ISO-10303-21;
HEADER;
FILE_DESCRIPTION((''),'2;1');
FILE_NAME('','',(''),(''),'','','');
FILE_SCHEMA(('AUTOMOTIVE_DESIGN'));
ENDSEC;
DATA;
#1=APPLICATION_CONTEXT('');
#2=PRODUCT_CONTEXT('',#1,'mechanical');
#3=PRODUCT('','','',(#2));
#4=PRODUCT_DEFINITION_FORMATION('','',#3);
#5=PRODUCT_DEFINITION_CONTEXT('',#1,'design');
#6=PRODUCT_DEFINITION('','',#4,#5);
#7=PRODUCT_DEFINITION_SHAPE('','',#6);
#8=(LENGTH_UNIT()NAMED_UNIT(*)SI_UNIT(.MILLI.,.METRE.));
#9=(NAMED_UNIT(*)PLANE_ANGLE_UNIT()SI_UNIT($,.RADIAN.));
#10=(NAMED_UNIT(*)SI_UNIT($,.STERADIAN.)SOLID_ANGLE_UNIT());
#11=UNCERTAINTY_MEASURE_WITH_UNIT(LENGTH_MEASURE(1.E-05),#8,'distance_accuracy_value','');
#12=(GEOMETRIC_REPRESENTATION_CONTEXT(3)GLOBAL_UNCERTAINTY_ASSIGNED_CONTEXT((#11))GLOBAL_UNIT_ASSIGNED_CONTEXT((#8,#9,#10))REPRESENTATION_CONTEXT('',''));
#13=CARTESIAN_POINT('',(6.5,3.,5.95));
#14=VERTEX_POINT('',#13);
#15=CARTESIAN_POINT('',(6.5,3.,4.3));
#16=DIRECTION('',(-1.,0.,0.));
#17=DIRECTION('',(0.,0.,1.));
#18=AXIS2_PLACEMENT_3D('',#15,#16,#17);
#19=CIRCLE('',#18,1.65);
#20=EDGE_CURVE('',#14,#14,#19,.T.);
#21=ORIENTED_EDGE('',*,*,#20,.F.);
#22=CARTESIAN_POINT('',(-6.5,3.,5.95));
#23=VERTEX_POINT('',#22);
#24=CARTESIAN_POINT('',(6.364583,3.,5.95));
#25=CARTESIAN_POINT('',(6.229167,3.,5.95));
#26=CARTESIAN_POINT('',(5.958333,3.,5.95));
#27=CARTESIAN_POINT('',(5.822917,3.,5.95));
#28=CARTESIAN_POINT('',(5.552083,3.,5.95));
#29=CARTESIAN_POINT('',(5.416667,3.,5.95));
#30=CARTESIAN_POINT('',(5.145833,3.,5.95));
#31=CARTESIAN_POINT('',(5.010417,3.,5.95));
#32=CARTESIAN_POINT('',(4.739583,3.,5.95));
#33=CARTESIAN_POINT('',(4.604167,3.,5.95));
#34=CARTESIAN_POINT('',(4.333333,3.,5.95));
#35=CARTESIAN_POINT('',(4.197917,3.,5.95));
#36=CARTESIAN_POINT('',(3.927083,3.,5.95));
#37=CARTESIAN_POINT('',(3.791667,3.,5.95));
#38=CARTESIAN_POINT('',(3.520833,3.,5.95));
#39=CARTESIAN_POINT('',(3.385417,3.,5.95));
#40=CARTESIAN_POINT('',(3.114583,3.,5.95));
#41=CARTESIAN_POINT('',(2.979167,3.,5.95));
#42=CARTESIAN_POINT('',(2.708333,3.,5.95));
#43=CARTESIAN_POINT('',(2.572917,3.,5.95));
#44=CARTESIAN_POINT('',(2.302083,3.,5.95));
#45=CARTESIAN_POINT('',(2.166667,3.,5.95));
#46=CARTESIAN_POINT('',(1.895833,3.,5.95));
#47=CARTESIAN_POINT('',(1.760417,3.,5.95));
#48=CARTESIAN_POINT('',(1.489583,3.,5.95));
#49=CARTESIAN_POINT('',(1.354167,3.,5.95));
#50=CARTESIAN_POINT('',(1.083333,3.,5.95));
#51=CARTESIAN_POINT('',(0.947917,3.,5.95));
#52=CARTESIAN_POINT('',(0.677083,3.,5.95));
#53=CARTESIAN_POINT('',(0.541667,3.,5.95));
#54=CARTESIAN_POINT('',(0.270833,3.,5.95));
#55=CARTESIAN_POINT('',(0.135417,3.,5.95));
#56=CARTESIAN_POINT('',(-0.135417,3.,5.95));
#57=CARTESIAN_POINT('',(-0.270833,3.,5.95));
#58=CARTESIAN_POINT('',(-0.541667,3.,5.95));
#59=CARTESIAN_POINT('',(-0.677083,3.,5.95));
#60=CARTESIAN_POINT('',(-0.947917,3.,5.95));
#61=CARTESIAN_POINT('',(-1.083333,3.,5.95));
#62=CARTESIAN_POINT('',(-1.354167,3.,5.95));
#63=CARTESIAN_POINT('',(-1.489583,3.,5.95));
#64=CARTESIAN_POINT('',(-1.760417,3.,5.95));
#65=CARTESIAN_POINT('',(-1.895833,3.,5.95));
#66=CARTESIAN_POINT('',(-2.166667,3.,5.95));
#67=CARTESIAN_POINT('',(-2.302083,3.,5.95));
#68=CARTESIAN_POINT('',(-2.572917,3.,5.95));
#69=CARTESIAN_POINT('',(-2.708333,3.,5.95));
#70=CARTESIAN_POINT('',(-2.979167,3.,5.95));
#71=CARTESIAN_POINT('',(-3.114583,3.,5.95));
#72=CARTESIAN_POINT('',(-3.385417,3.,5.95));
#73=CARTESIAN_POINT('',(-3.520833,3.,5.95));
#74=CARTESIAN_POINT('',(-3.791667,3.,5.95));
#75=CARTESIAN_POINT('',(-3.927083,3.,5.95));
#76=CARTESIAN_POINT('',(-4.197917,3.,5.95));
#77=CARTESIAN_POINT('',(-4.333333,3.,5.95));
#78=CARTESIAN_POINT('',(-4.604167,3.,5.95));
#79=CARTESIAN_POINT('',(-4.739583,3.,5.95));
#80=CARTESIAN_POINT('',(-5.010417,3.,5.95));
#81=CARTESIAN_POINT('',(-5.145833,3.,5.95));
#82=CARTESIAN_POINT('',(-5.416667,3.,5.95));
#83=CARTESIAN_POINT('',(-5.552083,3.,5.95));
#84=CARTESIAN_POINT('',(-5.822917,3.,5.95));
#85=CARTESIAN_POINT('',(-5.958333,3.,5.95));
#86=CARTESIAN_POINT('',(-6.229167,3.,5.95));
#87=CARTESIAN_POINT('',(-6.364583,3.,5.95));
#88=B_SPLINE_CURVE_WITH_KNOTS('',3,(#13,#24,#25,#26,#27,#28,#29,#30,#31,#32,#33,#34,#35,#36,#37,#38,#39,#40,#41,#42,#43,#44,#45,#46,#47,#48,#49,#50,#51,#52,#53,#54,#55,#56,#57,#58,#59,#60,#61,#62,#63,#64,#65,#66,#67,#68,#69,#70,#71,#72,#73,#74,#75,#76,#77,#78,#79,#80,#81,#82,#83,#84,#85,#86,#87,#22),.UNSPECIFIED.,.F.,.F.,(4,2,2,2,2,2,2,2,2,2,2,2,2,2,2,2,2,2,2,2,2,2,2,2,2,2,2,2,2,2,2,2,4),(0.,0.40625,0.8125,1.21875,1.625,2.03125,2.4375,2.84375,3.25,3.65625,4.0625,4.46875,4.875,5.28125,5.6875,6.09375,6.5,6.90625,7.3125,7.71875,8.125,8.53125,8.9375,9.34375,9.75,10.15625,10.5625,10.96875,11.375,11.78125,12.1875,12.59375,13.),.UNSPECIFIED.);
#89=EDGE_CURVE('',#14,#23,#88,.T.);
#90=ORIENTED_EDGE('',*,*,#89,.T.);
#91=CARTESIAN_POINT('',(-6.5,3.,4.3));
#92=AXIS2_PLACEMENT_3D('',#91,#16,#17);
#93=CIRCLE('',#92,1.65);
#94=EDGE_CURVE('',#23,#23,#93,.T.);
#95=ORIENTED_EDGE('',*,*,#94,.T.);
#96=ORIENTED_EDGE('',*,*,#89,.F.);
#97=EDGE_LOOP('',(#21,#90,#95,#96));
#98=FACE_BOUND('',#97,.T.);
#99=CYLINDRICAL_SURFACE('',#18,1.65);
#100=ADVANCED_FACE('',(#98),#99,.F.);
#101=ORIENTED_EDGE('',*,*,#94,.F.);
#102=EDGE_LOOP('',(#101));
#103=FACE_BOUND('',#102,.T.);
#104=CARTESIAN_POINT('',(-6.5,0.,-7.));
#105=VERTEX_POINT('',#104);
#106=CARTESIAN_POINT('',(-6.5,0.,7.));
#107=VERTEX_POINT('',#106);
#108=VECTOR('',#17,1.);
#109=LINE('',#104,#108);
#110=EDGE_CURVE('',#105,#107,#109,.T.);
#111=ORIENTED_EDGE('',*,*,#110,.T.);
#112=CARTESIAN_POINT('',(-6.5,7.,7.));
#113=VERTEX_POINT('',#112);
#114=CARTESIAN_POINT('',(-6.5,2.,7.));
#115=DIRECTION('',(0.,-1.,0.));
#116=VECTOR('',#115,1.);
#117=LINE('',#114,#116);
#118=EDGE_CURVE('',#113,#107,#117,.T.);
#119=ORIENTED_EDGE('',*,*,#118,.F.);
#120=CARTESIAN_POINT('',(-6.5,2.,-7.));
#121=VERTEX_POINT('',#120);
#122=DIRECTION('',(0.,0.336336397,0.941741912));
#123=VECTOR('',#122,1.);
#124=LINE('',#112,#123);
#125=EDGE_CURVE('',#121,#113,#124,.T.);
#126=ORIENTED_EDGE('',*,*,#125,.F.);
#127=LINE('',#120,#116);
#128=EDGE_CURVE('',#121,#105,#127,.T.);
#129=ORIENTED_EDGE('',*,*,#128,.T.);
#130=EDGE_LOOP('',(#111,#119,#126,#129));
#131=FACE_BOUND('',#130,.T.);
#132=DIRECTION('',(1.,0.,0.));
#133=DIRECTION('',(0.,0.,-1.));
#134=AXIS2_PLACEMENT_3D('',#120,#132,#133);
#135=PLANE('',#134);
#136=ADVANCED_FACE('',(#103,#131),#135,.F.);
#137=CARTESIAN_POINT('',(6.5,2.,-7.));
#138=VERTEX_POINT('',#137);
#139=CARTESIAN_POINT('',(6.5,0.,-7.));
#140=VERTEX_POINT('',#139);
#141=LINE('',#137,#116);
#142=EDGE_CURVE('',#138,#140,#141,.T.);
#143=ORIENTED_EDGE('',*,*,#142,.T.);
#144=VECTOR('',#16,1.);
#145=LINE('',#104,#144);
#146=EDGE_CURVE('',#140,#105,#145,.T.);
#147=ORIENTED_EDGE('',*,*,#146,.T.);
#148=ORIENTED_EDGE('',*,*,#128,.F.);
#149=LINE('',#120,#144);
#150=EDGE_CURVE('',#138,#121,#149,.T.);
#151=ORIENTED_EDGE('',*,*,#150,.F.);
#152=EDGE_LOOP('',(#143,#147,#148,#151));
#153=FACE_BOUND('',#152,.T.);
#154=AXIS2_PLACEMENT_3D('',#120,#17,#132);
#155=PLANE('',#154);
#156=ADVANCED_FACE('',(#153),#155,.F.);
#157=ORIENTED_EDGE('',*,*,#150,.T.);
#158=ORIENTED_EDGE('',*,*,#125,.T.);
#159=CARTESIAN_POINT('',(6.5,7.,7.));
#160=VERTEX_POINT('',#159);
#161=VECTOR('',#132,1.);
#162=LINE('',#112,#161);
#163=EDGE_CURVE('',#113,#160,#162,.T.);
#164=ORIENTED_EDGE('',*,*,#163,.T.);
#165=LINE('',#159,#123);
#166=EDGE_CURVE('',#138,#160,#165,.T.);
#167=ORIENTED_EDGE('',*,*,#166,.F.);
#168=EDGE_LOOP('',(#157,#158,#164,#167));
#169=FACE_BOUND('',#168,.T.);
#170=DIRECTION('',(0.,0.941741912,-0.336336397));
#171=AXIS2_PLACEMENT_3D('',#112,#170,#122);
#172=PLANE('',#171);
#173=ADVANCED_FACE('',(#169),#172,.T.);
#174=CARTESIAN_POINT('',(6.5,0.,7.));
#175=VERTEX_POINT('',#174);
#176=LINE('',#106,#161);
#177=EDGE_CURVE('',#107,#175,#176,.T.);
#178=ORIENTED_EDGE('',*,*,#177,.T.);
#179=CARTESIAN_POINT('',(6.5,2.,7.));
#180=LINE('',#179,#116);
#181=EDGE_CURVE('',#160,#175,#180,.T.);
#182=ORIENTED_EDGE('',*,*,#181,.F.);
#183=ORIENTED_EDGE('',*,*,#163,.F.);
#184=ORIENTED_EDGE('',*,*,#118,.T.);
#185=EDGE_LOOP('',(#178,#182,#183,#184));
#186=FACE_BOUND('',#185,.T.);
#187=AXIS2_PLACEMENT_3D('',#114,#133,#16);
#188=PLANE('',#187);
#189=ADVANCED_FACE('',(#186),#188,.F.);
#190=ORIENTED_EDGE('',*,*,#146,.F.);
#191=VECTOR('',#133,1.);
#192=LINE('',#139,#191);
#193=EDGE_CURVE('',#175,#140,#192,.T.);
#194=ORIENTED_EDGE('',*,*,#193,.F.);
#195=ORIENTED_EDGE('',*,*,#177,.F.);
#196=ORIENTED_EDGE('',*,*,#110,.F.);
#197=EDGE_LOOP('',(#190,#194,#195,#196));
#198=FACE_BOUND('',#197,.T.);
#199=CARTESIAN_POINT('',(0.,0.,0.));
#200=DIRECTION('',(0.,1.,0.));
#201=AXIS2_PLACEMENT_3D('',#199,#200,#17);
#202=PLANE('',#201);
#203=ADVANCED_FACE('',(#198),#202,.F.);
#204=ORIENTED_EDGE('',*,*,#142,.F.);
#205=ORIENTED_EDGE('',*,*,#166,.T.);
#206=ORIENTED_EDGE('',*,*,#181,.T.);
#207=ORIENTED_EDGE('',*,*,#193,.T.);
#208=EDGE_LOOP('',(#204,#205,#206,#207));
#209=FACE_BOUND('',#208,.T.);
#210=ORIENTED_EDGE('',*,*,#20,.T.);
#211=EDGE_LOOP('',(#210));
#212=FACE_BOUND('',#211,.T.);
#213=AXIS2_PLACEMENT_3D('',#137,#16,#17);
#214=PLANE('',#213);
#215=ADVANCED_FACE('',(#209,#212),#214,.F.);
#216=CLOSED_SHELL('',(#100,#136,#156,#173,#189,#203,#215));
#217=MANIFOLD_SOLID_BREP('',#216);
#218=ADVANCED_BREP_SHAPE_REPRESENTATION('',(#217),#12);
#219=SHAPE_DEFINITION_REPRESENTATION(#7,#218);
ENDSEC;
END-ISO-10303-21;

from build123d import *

# Parameters (mm, degrees)
SKETCH1_W           = 13
SKETCH1_H           = 14
BOSS_EXTRUDE1_DEPTH = 2
BOSS_EXTRUDE2_DEPTH = 13
SKETCH3_R           = 1.65
CUT_EXTRUDE1_DEPTH  = 13


with BuildPart() as part:
    # Sketch1 → Boss-Extrude1 (new body)
    with BuildSketch(Plane(origin=(0, 0, 0), x_dir=(1, 0, 0), z_dir=(0, 1, 0))):
        Rectangle(SKETCH1_W, SKETCH1_H)
    extrude(amount=BOSS_EXTRUDE1_DEPTH)

    # Sketch2 → Boss-Extrude2 (add)
    with BuildSketch(Plane(origin=(6.5, 0, 0), x_dir=(0, 0, -1), z_dir=(1, 0, 0))):
        Polygon((-7, 2), (-7, 7), (7, 2), align=None)
    extrude(amount=-BOSS_EXTRUDE2_DEPTH)

    # Sketch3 → Cut-Extrude1 (cut)
    with BuildSketch(Plane.ZY.offset(6.5)):
        with Locations((4.3, 3)):
            Circle(SKETCH3_R)
    extrude(amount=-CUT_EXTRUDE1_DEPTH, mode=Mode.SUBTRACT)


solid = part.part
